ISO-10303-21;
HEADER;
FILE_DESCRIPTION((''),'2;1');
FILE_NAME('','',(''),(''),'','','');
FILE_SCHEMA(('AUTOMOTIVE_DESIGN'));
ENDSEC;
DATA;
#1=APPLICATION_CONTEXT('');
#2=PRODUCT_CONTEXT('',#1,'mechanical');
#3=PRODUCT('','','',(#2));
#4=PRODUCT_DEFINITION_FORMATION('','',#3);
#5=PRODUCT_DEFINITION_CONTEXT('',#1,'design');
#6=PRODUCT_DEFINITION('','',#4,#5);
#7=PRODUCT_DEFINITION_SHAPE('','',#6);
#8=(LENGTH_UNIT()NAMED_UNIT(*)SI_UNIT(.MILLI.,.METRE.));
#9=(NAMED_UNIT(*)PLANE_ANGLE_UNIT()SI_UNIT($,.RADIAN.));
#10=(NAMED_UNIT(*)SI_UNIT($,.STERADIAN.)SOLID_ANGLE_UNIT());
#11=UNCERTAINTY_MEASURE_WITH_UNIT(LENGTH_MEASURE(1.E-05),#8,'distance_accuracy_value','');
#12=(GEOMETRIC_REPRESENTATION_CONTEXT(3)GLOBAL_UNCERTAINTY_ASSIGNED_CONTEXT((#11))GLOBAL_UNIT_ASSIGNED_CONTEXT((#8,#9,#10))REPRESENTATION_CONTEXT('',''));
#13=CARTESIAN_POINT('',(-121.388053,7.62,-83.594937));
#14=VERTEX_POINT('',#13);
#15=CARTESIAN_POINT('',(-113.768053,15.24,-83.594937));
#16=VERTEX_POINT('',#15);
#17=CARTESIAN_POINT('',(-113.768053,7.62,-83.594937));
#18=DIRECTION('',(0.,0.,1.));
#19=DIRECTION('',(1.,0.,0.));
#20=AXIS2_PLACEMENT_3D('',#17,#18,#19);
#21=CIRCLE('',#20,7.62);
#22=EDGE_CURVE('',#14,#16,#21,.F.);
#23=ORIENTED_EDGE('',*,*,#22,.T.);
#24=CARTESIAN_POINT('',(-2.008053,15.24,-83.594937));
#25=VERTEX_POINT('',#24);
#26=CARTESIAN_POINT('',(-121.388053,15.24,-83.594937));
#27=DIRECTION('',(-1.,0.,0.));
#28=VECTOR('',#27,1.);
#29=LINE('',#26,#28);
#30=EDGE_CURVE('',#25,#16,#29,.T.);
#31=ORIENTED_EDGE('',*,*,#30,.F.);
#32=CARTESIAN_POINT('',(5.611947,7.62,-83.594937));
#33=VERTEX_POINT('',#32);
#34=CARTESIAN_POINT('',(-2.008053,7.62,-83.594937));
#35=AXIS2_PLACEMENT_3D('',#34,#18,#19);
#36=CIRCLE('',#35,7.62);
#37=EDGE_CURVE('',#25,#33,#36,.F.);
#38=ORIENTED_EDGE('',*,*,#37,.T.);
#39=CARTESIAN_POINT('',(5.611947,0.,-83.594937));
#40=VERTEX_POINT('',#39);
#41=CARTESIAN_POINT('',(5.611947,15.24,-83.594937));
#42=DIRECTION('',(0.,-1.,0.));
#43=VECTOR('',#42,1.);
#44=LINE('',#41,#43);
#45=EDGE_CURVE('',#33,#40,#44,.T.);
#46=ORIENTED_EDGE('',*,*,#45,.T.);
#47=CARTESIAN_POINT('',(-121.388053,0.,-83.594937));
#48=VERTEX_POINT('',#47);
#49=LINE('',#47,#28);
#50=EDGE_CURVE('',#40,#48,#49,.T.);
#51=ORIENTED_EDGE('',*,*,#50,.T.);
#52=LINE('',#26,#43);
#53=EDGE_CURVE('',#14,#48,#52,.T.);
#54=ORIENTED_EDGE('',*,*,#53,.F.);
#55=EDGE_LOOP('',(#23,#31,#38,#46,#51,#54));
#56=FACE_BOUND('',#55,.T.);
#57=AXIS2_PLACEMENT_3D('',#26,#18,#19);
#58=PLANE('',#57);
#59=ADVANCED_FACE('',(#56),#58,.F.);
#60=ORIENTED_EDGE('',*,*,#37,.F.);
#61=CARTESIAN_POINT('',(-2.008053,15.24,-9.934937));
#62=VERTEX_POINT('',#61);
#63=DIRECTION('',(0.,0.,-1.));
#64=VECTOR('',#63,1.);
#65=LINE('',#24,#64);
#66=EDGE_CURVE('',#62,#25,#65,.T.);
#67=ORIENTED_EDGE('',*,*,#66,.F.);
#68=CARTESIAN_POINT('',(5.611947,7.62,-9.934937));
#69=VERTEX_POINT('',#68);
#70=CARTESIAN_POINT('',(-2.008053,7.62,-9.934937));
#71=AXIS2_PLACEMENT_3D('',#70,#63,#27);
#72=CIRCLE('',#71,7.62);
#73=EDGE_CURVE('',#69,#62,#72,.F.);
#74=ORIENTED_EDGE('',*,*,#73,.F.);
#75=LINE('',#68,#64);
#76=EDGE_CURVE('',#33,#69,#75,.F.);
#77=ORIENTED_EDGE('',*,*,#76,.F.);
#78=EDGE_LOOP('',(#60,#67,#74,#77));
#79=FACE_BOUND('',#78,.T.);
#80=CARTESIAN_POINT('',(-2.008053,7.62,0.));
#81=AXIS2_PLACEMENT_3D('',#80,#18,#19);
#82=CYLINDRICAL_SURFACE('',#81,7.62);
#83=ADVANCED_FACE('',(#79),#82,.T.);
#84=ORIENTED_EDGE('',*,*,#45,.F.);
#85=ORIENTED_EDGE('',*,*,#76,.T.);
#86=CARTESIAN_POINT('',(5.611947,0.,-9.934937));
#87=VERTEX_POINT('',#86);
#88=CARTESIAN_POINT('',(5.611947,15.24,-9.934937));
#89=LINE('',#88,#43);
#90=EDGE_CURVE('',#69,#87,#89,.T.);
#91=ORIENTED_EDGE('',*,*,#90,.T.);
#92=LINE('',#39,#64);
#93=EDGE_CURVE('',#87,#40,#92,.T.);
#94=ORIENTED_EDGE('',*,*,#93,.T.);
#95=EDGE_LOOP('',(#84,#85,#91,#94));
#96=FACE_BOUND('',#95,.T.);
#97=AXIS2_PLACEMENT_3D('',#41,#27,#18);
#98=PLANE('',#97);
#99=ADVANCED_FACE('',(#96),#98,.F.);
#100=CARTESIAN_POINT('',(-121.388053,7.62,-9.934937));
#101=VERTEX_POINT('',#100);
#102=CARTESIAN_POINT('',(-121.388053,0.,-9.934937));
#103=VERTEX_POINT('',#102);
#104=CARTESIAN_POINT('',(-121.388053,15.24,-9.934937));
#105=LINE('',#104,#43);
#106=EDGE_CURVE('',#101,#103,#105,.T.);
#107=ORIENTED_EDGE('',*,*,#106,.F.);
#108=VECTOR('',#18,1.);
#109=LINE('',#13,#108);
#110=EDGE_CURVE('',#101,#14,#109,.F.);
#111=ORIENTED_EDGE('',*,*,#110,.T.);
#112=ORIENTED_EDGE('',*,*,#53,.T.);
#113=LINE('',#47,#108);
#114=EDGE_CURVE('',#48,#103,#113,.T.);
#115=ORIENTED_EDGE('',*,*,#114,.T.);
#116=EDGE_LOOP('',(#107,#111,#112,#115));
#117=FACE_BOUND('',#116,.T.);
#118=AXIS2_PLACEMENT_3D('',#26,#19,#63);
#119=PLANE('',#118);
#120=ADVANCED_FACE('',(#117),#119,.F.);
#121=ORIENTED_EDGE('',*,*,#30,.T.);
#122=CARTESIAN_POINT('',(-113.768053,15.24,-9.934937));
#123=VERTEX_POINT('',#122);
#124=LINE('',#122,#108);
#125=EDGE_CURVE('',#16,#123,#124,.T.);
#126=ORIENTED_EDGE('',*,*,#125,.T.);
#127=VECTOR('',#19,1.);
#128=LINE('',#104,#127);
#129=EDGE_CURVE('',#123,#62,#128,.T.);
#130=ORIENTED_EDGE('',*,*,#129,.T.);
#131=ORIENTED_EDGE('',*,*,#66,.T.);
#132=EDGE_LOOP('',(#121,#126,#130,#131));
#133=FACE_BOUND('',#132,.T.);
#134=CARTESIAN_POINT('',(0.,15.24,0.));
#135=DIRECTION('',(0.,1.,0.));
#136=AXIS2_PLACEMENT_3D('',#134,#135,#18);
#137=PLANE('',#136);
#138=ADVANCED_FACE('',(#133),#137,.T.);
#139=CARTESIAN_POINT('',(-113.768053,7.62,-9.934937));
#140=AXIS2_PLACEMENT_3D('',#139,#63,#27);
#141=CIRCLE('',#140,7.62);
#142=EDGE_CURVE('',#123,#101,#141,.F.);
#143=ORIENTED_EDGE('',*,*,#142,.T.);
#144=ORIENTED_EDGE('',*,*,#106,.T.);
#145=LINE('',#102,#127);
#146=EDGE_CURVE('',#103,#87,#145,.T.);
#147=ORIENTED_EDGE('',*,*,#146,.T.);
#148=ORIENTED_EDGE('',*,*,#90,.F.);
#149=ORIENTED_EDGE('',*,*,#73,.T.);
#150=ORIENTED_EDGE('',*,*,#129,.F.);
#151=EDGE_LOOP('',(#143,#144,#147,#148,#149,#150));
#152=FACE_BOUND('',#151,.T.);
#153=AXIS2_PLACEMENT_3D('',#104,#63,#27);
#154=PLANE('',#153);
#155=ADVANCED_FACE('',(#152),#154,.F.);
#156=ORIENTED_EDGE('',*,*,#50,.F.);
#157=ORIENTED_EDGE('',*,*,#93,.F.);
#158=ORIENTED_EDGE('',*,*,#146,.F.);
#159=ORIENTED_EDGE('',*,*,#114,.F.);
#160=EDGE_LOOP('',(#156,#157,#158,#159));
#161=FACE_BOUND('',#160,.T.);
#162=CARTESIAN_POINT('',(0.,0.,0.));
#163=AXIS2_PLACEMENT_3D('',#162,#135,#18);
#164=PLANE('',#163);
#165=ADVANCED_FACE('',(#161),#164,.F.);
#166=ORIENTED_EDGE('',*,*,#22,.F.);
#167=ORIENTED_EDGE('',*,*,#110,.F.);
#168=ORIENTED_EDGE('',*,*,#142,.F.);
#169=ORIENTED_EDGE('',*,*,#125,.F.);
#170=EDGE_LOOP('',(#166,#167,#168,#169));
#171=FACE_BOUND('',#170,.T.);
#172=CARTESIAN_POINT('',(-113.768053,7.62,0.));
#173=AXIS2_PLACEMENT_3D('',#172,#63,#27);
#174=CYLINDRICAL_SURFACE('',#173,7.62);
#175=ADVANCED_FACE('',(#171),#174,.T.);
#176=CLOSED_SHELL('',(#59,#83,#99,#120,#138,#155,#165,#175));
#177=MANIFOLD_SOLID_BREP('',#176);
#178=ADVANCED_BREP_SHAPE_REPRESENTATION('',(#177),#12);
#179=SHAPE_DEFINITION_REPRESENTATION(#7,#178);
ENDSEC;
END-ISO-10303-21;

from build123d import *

# Parameters (mm, degrees)
SKETCH1_W           = 127
SKETCH1_H           = 73.66
BOSS_EXTRUDE1_DEPTH = 15.24
FILLET1_R           = 7.62


with BuildPart() as part:
    # Sketch1 → Boss-Extrude1 (new body)
    with BuildSketch(Plane(origin=(0, 0, 0), x_dir=(1, 0, 0), z_dir=(0, 1, 0))):
        with Locations((-57.888052689, 46.764936709)):
            Rectangle(SKETCH1_W, SKETCH1_H)
    extrude(amount=BOSS_EXTRUDE1_DEPTH)

    # Fillet1
    fillet1_edges = [part.edges().sort_by_distance(p)[0] for p in [
        (5.611947311, 15.24, -46.764936709),
        (-121.388052689, 15.24, -46.764936709),
    ]]
    fillet(fillet1_edges, radius=FILLET1_R)


solid = part.part
